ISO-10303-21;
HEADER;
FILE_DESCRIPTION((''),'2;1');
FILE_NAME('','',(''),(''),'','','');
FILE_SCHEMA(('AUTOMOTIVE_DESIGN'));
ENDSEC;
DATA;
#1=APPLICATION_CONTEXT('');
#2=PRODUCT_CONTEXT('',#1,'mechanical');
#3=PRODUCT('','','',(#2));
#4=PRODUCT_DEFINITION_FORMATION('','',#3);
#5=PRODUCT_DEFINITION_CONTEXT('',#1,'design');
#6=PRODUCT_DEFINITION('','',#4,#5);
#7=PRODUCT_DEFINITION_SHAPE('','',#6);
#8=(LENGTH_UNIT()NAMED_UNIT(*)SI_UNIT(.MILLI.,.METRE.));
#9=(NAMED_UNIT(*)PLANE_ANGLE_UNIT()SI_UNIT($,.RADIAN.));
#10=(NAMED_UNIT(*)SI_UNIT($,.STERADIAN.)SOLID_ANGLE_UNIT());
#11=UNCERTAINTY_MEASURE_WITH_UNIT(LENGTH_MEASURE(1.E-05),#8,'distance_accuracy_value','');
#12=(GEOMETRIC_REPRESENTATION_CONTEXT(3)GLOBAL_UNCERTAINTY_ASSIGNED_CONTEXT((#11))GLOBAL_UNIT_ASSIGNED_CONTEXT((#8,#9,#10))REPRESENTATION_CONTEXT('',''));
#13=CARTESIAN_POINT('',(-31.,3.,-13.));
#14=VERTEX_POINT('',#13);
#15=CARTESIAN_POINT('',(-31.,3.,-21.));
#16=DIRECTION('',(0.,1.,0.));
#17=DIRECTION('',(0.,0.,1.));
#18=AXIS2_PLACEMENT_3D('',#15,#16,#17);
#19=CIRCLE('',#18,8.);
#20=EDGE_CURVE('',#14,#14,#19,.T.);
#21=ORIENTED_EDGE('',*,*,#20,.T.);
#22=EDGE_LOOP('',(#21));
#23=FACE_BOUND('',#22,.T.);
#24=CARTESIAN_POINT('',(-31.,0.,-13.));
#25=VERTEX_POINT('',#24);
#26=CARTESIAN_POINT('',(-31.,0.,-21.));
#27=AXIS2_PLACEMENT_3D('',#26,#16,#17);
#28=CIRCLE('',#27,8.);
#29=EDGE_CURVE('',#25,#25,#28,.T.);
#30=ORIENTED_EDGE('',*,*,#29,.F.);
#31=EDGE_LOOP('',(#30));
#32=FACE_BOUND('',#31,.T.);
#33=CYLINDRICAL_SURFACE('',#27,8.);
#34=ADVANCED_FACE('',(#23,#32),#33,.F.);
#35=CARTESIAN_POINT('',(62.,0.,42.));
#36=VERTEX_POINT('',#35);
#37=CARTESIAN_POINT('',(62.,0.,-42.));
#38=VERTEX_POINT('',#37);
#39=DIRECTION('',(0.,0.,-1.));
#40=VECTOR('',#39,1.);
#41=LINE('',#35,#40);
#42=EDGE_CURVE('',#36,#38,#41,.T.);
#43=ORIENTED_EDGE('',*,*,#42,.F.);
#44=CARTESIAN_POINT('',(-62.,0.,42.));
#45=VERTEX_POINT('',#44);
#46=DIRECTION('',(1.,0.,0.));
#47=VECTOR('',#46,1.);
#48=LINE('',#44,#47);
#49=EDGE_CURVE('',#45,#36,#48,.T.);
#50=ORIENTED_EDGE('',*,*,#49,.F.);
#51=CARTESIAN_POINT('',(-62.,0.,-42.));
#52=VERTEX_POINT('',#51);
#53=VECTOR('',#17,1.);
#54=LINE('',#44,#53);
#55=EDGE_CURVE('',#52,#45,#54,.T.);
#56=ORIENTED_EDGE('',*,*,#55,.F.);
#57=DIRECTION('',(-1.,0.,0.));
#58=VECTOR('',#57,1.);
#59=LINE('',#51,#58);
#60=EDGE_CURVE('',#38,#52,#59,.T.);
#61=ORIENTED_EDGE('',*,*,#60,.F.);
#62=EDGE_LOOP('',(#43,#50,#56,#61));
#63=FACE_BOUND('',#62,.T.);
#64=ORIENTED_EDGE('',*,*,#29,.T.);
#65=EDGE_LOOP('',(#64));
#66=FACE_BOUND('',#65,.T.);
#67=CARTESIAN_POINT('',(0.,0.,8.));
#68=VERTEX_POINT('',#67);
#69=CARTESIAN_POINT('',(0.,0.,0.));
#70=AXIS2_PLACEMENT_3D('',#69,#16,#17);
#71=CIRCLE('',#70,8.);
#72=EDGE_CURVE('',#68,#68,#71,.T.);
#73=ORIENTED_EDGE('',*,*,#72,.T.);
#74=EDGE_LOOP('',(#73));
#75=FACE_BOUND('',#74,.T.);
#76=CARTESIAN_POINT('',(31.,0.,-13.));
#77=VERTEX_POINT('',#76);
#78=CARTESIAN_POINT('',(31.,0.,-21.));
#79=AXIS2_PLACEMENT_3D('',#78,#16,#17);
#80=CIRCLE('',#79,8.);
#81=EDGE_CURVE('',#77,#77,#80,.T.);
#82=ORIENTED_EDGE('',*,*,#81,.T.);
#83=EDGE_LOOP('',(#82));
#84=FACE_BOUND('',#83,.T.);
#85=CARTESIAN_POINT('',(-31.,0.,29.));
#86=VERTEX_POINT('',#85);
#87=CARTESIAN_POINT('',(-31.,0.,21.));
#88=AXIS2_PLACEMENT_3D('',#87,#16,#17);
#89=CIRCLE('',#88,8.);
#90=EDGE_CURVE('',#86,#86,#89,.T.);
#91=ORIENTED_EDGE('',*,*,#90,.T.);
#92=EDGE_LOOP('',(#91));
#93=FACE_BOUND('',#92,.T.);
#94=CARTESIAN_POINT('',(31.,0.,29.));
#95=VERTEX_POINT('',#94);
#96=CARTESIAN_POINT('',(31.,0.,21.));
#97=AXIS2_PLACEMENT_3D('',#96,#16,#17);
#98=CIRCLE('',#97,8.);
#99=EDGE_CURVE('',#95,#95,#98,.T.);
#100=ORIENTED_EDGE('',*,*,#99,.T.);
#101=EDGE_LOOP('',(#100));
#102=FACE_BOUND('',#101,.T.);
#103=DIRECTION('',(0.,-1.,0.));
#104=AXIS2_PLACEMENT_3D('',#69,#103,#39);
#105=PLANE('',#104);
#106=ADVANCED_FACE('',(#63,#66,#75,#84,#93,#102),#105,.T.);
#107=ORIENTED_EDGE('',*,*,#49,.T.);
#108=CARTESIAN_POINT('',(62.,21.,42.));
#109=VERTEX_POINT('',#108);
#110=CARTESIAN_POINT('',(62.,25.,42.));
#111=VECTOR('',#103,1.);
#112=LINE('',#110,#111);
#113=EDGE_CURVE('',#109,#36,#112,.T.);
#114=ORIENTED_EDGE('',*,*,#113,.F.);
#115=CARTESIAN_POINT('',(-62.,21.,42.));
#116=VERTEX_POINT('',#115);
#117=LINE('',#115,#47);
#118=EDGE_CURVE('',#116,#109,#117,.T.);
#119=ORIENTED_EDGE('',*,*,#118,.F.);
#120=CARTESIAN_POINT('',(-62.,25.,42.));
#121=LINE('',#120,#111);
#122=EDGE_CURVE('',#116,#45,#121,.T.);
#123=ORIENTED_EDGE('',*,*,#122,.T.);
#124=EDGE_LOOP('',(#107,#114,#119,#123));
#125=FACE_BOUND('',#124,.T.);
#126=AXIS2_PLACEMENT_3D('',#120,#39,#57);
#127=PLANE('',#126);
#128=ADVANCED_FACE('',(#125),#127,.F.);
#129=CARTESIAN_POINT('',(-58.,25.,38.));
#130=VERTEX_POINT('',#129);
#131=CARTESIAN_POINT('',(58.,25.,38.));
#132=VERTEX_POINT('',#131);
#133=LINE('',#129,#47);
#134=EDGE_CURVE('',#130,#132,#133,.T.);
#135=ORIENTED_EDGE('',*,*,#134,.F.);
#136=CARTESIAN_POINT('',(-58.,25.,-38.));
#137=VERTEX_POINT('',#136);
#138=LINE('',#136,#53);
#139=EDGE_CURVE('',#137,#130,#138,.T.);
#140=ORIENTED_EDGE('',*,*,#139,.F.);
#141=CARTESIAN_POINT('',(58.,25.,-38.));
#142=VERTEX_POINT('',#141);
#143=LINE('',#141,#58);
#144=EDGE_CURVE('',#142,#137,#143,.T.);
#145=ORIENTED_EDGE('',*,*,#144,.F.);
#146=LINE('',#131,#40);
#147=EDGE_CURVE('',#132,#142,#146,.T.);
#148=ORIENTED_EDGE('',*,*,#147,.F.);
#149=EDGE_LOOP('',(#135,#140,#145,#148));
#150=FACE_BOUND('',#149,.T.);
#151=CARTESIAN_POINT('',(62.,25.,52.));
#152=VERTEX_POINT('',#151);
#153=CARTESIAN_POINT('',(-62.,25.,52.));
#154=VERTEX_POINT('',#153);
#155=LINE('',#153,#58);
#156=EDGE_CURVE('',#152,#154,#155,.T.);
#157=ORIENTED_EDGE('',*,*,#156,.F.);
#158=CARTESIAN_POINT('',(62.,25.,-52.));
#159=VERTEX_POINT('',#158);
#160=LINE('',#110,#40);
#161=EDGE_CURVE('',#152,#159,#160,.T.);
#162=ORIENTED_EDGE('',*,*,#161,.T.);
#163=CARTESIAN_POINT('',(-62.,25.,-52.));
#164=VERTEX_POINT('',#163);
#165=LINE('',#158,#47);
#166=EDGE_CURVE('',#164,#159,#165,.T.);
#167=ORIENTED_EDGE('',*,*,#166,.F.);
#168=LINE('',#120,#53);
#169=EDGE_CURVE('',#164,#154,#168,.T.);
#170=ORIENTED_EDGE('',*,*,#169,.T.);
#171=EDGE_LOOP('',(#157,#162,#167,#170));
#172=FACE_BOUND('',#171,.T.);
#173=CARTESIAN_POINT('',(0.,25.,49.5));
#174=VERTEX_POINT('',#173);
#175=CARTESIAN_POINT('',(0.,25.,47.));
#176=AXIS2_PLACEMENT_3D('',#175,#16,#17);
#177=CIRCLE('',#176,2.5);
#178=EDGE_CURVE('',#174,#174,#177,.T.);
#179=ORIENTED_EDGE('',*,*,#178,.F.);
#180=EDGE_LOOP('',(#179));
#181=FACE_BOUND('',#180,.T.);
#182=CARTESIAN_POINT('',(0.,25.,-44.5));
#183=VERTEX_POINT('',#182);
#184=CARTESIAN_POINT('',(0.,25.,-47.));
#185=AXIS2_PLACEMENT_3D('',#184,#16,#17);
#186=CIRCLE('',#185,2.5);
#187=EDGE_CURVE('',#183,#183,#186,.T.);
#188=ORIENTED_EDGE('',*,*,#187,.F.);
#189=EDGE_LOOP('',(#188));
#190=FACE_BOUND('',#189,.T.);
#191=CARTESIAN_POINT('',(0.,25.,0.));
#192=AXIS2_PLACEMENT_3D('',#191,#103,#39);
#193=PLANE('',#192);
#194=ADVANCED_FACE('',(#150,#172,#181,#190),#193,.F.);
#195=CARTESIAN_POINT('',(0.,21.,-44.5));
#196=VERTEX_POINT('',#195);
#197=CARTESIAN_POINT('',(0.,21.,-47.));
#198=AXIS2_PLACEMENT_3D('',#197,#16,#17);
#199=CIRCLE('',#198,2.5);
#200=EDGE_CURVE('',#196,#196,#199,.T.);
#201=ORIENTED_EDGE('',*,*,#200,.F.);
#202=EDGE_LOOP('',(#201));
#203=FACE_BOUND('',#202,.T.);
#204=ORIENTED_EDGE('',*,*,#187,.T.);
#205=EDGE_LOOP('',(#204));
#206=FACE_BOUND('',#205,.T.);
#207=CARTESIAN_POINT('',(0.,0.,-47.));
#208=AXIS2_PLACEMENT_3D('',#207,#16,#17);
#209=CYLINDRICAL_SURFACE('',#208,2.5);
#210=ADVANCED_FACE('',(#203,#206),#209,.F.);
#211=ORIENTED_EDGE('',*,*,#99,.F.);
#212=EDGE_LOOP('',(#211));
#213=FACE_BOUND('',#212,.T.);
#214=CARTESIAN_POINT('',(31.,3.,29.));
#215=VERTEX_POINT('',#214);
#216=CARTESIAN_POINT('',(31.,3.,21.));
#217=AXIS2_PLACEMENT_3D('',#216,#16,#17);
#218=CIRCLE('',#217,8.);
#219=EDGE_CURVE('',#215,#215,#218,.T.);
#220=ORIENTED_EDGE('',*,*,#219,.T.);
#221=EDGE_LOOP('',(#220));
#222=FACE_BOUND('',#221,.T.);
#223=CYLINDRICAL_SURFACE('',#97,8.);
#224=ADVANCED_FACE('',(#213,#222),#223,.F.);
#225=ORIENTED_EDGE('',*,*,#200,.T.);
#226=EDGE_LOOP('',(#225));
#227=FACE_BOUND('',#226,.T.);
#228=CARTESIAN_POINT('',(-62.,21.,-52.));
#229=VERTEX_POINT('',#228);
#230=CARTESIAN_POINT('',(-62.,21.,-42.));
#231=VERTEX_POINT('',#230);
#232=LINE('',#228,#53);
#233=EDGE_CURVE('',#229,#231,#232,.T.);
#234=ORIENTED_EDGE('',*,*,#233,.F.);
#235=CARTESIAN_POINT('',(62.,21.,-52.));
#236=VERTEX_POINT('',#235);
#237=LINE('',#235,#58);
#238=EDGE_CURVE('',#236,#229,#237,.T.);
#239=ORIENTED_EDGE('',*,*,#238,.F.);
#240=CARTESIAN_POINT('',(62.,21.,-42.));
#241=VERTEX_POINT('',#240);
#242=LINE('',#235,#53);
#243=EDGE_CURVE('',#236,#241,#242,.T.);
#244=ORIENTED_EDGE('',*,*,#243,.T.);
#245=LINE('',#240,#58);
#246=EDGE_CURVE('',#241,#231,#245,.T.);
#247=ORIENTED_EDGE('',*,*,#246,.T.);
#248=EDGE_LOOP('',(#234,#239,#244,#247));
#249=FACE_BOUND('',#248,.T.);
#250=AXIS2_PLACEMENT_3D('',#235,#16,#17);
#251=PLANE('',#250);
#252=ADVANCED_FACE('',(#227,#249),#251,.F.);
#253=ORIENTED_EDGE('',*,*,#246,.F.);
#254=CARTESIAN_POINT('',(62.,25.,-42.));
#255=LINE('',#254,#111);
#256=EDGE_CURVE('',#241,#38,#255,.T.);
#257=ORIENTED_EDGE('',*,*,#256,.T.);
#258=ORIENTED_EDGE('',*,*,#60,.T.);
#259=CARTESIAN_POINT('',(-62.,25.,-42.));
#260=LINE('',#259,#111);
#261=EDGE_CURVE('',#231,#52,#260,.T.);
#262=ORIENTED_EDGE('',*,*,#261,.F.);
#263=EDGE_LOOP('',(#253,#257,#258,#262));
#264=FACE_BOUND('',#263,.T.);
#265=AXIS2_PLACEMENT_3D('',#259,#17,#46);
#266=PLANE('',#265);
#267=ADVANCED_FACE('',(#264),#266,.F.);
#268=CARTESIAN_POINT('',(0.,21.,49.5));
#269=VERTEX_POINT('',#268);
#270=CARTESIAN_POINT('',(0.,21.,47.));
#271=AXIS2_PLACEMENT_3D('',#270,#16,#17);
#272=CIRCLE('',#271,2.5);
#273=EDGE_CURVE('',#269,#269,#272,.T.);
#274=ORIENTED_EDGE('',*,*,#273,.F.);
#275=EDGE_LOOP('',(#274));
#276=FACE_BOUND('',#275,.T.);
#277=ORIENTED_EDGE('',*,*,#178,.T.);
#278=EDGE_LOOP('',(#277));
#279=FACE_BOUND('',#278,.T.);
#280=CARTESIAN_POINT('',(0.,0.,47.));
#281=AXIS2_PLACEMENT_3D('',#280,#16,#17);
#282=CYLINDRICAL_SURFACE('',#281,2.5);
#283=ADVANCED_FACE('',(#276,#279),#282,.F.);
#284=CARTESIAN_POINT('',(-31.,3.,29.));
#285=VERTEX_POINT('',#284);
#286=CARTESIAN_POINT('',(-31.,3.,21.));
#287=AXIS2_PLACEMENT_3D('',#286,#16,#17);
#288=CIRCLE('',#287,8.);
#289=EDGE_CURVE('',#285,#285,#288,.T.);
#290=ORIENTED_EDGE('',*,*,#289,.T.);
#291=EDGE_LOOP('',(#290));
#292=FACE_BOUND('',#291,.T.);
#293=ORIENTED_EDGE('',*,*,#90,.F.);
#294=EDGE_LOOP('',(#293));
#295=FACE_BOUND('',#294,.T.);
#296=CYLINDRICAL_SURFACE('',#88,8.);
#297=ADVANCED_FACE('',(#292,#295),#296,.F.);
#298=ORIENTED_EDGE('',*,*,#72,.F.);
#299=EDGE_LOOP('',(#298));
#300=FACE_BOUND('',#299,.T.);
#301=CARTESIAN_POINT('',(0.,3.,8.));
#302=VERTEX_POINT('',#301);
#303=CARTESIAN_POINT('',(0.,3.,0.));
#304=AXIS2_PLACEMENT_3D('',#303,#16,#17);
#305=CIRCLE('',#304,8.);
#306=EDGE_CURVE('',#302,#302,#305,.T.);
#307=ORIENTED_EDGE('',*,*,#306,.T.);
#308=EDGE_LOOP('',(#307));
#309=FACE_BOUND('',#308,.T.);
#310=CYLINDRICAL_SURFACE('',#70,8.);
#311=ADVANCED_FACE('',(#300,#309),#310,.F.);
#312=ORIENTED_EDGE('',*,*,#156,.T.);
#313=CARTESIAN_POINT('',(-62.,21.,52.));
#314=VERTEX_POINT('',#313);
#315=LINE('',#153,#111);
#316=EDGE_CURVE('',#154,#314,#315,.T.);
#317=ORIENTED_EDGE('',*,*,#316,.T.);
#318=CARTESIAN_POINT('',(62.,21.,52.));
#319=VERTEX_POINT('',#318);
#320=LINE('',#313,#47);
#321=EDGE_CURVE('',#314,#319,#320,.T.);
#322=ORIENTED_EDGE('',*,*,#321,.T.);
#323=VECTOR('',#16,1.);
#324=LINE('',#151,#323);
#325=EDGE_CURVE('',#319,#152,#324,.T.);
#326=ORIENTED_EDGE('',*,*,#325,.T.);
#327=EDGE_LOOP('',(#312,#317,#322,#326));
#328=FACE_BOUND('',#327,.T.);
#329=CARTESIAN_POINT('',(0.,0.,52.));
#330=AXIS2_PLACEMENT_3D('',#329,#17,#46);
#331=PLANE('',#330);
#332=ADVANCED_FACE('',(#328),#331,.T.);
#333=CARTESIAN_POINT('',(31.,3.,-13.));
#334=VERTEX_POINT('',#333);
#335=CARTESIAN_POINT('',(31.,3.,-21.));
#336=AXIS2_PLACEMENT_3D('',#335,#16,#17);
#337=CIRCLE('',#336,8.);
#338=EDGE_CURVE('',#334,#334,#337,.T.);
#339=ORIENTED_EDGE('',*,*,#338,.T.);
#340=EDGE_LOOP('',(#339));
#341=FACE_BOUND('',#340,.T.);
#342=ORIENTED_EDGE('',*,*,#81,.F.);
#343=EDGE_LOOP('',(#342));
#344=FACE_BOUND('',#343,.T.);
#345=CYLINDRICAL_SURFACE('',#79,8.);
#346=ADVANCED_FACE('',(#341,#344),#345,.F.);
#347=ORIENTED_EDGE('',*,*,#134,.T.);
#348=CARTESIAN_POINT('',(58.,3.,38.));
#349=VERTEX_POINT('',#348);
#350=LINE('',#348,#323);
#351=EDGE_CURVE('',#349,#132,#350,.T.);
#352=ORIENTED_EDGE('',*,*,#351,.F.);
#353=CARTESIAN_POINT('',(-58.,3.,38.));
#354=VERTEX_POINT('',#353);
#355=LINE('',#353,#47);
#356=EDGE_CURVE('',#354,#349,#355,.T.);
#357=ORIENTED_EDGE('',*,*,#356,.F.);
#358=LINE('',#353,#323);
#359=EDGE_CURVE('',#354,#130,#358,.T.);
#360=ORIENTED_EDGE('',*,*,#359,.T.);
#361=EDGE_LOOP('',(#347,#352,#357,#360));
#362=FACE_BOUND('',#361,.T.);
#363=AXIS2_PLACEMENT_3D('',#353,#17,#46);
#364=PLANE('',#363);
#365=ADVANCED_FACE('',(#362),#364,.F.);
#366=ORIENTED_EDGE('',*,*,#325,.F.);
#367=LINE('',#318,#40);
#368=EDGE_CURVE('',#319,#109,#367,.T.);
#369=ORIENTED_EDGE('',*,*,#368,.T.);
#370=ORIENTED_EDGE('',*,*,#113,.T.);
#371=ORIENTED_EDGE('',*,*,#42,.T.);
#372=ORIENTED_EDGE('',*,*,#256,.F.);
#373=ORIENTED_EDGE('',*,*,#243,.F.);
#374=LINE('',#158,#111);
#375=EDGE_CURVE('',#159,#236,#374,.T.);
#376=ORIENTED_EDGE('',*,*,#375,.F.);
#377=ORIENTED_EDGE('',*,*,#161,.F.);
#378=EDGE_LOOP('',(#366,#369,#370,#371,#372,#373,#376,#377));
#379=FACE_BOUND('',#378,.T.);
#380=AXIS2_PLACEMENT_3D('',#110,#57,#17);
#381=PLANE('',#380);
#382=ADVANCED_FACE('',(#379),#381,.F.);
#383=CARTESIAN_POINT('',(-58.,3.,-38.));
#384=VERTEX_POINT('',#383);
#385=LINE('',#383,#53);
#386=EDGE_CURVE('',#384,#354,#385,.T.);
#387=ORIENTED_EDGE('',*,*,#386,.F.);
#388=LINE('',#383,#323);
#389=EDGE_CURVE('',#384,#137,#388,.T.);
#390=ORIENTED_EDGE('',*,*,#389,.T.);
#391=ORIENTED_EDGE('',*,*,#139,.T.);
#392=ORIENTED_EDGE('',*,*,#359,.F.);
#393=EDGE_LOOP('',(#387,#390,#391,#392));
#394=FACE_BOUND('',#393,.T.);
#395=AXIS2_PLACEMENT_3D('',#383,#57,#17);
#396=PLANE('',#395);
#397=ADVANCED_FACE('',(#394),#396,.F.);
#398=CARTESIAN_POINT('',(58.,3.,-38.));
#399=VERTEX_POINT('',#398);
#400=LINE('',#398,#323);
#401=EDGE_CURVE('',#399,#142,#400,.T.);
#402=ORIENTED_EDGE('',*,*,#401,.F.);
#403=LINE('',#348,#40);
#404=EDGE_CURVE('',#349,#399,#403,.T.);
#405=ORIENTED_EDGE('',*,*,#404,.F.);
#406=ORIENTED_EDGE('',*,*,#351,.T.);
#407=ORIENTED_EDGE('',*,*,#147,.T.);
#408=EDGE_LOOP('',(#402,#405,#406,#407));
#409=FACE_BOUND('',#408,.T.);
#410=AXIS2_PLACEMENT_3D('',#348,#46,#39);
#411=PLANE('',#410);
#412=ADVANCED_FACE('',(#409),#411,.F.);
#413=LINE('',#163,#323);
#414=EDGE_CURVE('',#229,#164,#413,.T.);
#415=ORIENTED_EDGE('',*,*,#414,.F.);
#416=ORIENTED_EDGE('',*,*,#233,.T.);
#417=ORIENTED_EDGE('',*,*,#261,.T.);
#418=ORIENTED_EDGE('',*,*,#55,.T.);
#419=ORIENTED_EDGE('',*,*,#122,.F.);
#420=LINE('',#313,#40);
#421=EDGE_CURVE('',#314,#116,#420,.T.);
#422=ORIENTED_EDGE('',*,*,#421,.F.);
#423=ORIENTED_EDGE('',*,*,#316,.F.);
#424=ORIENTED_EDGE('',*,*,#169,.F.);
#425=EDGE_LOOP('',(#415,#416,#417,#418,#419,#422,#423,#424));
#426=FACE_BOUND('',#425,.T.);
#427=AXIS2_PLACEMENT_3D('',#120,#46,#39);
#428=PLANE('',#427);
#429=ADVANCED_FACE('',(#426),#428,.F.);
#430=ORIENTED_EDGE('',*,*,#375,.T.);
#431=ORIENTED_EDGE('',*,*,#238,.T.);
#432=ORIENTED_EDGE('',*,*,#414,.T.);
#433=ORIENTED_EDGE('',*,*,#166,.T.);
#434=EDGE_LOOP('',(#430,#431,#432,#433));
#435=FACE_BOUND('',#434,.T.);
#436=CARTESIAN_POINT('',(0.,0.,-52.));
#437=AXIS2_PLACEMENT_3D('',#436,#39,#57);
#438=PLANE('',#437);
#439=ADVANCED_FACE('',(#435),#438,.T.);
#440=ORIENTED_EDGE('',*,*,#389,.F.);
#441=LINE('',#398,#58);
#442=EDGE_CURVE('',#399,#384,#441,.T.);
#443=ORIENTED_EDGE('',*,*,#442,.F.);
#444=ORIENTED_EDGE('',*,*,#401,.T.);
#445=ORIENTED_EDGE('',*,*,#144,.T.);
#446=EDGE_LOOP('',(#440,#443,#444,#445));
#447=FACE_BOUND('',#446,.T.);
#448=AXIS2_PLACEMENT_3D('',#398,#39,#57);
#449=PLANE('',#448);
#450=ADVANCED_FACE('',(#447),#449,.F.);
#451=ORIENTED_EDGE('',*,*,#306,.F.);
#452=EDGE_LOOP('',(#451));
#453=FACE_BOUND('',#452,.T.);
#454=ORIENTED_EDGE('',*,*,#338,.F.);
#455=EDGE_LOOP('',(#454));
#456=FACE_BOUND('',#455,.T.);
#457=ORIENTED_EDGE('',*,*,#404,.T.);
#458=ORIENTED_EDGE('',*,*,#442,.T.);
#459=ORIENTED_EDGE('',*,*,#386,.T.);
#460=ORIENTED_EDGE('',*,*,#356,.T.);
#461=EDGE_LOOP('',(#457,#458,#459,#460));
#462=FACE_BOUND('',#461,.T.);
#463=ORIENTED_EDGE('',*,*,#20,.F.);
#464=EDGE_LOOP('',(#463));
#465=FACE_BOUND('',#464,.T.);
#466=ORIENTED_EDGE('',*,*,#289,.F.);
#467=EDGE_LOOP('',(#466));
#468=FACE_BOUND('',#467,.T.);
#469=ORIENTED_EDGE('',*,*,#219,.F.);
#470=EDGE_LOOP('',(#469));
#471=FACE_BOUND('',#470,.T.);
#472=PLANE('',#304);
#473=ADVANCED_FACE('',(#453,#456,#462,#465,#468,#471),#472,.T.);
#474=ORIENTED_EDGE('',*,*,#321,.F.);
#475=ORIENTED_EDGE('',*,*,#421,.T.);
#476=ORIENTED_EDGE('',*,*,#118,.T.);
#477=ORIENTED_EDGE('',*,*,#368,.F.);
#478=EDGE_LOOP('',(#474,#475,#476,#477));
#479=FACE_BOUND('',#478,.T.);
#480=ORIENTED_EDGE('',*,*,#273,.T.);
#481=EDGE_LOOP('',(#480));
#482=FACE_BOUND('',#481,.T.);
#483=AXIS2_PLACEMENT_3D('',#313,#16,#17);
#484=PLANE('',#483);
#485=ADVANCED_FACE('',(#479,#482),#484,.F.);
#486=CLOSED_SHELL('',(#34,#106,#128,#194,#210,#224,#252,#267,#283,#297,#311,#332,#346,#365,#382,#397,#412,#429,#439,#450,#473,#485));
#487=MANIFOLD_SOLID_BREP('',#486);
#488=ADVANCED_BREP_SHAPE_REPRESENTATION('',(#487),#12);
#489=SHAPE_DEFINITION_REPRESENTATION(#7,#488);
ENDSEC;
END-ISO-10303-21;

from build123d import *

# Parameters (mm, degrees)
SKETCH1_W           = 124
SKETCH1_H           = 84
BOSS_EXTRUDE1_DEPTH = 25
SKETCH2_W           = 116
SKETCH2_H           = 76
CUT_EXTRUDE1_DEPTH  = 22
SKETCH3_R           = 8
CUT_EXTRUDE2_DEPTH  = 79.051265204
SKETCH4_W           = 124
SKETCH4_H           = 4
BOSS_EXTRUDE2_DEPTH = 10
SKETCH5_W           = 124
SKETCH5_H           = 4
BOSS_EXTRUDE3_DEPTH = 10
SKETCH6_R           = 2.5
CUT_EXTRUDE3_DEPTH  = 85.693565281


with BuildPart() as part:
    # Sketch1 → Boss-Extrude1 (new body)
    with BuildSketch(Plane(origin=(0, 0, 0), x_dir=(1, 0, 0), z_dir=(0, 1, 0))):
        Rectangle(SKETCH1_W, SKETCH1_H)
    extrude(amount=BOSS_EXTRUDE1_DEPTH)

    # Sketch2 → Cut-Extrude1 (cut)
    with BuildSketch(Plane(origin=(0, 25, 0), x_dir=(1, 0, 0), z_dir=(0, 1, 0))):
        Rectangle(SKETCH2_W, SKETCH2_H)
    extrude(amount=-CUT_EXTRUDE1_DEPTH, mode=Mode.SUBTRACT)

    # Sketch3 → Cut-Extrude2 (cut, through all)
    with BuildSketch(Plane(origin=(0, 3, 0), x_dir=(1, 0, 0), z_dir=(0, 1, 0))):
        with Locations(Location((0, 0, 0), (0, 0, 270))):
            Circle(SKETCH3_R)
        with Locations(Location((-31, 21, 0), (0, 0, 270))):
            Circle(SKETCH3_R)
        with Locations(Location((-31, -21, 0), (0, 0, 270))):
            Circle(SKETCH3_R)
        with Locations(Location((31, 21, 0), (0, 0, 270))):
            Circle(SKETCH3_R)
        with Locations(Location((31, -21, 0), (0, 0, 270))):
            Circle(SKETCH3_R)
    extrude(amount=-CUT_EXTRUDE2_DEPTH, mode=Mode.SUBTRACT)

    # Sketch4 → Boss-Extrude2 (add)
    with BuildSketch(Plane.XY.offset(42)):
        with Locations((0, 23)):
            Rectangle(SKETCH4_W, SKETCH4_H)
    extrude(amount=BOSS_EXTRUDE2_DEPTH)

    # Sketch5 → Boss-Extrude3 (add)
    with BuildSketch(Plane(origin=(0, 0, -42), x_dir=(-1, 0, 0), z_dir=(0, 0, -1))):
        with Locations((0, 23)):
            Rectangle(SKETCH5_W, SKETCH5_H)
    extrude(amount=BOSS_EXTRUDE3_DEPTH)

    # Sketch6 → Cut-Extrude3 (cut, through all)
    with BuildSketch(Plane(origin=(0, 25, 0), x_dir=(1, 0, 0), z_dir=(0, 1, 0))):
        with Locations(Location((0, 47, 0), (0, 0, 270))):
            Circle(SKETCH6_R)
        with Locations(Location((0, -47, 0), (0, 0, 270))):
            Circle(SKETCH6_R)
    extrude(amount=-CUT_EXTRUDE3_DEPTH, mode=Mode.SUBTRACT)


solid = part.part
